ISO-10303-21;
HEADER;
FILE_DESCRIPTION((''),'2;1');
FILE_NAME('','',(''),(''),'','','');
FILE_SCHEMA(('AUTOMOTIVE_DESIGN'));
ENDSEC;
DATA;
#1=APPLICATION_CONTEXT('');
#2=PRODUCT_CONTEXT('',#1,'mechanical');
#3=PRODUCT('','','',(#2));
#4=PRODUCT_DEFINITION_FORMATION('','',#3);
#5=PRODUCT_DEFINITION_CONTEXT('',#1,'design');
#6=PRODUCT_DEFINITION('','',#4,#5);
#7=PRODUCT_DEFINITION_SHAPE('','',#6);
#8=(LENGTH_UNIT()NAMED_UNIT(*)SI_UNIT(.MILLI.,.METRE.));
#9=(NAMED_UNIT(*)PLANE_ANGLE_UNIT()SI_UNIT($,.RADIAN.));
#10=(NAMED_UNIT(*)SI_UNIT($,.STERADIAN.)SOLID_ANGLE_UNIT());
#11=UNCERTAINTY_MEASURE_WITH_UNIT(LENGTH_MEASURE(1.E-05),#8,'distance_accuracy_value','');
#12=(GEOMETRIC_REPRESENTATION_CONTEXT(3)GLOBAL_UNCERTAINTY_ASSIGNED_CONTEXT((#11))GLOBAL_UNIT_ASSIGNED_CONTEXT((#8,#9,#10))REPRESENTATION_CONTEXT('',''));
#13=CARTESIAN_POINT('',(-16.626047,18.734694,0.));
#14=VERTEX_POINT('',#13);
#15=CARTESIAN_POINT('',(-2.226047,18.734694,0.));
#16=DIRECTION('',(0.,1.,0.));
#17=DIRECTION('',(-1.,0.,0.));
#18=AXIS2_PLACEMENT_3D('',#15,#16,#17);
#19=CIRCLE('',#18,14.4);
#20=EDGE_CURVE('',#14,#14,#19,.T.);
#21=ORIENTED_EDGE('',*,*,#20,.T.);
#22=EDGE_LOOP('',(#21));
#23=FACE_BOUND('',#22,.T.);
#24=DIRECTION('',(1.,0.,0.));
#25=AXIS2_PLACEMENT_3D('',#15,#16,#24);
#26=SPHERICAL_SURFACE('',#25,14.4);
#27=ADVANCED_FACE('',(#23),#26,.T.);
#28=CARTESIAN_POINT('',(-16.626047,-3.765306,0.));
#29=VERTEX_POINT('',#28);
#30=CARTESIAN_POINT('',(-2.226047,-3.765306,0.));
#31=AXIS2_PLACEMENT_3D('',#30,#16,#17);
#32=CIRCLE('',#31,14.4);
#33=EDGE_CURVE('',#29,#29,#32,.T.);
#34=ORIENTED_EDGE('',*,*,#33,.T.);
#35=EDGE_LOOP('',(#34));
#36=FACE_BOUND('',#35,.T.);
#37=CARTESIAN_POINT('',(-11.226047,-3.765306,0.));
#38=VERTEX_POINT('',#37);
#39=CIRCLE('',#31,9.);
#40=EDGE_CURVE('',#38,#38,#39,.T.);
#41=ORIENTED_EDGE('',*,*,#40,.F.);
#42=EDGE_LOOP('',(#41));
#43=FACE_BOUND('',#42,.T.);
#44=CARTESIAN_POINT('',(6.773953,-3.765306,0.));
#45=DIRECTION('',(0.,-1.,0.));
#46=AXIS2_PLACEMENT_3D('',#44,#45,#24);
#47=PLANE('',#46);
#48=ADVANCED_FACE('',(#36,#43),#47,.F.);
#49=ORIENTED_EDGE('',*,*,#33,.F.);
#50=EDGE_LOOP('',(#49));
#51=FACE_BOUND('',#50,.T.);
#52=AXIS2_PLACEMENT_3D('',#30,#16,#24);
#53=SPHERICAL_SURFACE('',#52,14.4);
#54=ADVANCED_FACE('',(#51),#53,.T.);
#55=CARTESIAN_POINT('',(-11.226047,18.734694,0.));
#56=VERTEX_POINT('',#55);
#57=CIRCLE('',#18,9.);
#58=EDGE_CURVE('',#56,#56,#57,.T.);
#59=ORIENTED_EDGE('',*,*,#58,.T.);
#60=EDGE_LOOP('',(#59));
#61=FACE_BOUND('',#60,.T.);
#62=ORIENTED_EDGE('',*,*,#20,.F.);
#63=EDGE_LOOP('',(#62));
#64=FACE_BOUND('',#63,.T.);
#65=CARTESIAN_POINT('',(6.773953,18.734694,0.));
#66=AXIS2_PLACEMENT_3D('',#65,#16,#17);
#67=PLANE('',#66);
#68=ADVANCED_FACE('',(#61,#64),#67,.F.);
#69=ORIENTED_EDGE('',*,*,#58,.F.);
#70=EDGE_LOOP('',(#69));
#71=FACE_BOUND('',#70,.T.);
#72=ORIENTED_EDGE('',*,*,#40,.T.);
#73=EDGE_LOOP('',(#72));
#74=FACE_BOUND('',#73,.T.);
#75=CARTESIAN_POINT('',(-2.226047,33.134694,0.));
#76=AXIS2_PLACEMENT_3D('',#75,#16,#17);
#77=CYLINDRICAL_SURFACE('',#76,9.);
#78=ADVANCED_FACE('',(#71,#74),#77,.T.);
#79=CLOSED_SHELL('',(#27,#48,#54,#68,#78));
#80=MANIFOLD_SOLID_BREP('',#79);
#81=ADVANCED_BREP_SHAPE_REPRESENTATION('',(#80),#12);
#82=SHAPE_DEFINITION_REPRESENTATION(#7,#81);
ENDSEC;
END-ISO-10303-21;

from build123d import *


with BuildPart() as part:
    # Sketch1 → Revolve1 (revolve)
    with BuildSketch(Plane.XY):
        with BuildLine():
            Line((6.773952861, -3.765306122), (6.773952861, 18.734693878))
            Line((6.773952861, 18.734693878), (12.173952861, 18.734693878))
            ThreePointArc((12.173952861, 18.734693878), (7.95629051, 28.917031527), (-2.226047139, 33.134693878))
            Line((-2.226047139, 33.134693878), (-2.226047139, -18.165306122))
            ThreePointArc((-2.226047139, -18.165306122), (7.95629051, -13.947643772), (12.173952861, -3.765306122))
            Line((12.173952861, -3.765306122), (6.773952861, -3.765306122))
        make_face()
    revolve(axis=Axis((-2.226047139, 33.134693878, 0), (0, -1, 0)))


solid = part.part
